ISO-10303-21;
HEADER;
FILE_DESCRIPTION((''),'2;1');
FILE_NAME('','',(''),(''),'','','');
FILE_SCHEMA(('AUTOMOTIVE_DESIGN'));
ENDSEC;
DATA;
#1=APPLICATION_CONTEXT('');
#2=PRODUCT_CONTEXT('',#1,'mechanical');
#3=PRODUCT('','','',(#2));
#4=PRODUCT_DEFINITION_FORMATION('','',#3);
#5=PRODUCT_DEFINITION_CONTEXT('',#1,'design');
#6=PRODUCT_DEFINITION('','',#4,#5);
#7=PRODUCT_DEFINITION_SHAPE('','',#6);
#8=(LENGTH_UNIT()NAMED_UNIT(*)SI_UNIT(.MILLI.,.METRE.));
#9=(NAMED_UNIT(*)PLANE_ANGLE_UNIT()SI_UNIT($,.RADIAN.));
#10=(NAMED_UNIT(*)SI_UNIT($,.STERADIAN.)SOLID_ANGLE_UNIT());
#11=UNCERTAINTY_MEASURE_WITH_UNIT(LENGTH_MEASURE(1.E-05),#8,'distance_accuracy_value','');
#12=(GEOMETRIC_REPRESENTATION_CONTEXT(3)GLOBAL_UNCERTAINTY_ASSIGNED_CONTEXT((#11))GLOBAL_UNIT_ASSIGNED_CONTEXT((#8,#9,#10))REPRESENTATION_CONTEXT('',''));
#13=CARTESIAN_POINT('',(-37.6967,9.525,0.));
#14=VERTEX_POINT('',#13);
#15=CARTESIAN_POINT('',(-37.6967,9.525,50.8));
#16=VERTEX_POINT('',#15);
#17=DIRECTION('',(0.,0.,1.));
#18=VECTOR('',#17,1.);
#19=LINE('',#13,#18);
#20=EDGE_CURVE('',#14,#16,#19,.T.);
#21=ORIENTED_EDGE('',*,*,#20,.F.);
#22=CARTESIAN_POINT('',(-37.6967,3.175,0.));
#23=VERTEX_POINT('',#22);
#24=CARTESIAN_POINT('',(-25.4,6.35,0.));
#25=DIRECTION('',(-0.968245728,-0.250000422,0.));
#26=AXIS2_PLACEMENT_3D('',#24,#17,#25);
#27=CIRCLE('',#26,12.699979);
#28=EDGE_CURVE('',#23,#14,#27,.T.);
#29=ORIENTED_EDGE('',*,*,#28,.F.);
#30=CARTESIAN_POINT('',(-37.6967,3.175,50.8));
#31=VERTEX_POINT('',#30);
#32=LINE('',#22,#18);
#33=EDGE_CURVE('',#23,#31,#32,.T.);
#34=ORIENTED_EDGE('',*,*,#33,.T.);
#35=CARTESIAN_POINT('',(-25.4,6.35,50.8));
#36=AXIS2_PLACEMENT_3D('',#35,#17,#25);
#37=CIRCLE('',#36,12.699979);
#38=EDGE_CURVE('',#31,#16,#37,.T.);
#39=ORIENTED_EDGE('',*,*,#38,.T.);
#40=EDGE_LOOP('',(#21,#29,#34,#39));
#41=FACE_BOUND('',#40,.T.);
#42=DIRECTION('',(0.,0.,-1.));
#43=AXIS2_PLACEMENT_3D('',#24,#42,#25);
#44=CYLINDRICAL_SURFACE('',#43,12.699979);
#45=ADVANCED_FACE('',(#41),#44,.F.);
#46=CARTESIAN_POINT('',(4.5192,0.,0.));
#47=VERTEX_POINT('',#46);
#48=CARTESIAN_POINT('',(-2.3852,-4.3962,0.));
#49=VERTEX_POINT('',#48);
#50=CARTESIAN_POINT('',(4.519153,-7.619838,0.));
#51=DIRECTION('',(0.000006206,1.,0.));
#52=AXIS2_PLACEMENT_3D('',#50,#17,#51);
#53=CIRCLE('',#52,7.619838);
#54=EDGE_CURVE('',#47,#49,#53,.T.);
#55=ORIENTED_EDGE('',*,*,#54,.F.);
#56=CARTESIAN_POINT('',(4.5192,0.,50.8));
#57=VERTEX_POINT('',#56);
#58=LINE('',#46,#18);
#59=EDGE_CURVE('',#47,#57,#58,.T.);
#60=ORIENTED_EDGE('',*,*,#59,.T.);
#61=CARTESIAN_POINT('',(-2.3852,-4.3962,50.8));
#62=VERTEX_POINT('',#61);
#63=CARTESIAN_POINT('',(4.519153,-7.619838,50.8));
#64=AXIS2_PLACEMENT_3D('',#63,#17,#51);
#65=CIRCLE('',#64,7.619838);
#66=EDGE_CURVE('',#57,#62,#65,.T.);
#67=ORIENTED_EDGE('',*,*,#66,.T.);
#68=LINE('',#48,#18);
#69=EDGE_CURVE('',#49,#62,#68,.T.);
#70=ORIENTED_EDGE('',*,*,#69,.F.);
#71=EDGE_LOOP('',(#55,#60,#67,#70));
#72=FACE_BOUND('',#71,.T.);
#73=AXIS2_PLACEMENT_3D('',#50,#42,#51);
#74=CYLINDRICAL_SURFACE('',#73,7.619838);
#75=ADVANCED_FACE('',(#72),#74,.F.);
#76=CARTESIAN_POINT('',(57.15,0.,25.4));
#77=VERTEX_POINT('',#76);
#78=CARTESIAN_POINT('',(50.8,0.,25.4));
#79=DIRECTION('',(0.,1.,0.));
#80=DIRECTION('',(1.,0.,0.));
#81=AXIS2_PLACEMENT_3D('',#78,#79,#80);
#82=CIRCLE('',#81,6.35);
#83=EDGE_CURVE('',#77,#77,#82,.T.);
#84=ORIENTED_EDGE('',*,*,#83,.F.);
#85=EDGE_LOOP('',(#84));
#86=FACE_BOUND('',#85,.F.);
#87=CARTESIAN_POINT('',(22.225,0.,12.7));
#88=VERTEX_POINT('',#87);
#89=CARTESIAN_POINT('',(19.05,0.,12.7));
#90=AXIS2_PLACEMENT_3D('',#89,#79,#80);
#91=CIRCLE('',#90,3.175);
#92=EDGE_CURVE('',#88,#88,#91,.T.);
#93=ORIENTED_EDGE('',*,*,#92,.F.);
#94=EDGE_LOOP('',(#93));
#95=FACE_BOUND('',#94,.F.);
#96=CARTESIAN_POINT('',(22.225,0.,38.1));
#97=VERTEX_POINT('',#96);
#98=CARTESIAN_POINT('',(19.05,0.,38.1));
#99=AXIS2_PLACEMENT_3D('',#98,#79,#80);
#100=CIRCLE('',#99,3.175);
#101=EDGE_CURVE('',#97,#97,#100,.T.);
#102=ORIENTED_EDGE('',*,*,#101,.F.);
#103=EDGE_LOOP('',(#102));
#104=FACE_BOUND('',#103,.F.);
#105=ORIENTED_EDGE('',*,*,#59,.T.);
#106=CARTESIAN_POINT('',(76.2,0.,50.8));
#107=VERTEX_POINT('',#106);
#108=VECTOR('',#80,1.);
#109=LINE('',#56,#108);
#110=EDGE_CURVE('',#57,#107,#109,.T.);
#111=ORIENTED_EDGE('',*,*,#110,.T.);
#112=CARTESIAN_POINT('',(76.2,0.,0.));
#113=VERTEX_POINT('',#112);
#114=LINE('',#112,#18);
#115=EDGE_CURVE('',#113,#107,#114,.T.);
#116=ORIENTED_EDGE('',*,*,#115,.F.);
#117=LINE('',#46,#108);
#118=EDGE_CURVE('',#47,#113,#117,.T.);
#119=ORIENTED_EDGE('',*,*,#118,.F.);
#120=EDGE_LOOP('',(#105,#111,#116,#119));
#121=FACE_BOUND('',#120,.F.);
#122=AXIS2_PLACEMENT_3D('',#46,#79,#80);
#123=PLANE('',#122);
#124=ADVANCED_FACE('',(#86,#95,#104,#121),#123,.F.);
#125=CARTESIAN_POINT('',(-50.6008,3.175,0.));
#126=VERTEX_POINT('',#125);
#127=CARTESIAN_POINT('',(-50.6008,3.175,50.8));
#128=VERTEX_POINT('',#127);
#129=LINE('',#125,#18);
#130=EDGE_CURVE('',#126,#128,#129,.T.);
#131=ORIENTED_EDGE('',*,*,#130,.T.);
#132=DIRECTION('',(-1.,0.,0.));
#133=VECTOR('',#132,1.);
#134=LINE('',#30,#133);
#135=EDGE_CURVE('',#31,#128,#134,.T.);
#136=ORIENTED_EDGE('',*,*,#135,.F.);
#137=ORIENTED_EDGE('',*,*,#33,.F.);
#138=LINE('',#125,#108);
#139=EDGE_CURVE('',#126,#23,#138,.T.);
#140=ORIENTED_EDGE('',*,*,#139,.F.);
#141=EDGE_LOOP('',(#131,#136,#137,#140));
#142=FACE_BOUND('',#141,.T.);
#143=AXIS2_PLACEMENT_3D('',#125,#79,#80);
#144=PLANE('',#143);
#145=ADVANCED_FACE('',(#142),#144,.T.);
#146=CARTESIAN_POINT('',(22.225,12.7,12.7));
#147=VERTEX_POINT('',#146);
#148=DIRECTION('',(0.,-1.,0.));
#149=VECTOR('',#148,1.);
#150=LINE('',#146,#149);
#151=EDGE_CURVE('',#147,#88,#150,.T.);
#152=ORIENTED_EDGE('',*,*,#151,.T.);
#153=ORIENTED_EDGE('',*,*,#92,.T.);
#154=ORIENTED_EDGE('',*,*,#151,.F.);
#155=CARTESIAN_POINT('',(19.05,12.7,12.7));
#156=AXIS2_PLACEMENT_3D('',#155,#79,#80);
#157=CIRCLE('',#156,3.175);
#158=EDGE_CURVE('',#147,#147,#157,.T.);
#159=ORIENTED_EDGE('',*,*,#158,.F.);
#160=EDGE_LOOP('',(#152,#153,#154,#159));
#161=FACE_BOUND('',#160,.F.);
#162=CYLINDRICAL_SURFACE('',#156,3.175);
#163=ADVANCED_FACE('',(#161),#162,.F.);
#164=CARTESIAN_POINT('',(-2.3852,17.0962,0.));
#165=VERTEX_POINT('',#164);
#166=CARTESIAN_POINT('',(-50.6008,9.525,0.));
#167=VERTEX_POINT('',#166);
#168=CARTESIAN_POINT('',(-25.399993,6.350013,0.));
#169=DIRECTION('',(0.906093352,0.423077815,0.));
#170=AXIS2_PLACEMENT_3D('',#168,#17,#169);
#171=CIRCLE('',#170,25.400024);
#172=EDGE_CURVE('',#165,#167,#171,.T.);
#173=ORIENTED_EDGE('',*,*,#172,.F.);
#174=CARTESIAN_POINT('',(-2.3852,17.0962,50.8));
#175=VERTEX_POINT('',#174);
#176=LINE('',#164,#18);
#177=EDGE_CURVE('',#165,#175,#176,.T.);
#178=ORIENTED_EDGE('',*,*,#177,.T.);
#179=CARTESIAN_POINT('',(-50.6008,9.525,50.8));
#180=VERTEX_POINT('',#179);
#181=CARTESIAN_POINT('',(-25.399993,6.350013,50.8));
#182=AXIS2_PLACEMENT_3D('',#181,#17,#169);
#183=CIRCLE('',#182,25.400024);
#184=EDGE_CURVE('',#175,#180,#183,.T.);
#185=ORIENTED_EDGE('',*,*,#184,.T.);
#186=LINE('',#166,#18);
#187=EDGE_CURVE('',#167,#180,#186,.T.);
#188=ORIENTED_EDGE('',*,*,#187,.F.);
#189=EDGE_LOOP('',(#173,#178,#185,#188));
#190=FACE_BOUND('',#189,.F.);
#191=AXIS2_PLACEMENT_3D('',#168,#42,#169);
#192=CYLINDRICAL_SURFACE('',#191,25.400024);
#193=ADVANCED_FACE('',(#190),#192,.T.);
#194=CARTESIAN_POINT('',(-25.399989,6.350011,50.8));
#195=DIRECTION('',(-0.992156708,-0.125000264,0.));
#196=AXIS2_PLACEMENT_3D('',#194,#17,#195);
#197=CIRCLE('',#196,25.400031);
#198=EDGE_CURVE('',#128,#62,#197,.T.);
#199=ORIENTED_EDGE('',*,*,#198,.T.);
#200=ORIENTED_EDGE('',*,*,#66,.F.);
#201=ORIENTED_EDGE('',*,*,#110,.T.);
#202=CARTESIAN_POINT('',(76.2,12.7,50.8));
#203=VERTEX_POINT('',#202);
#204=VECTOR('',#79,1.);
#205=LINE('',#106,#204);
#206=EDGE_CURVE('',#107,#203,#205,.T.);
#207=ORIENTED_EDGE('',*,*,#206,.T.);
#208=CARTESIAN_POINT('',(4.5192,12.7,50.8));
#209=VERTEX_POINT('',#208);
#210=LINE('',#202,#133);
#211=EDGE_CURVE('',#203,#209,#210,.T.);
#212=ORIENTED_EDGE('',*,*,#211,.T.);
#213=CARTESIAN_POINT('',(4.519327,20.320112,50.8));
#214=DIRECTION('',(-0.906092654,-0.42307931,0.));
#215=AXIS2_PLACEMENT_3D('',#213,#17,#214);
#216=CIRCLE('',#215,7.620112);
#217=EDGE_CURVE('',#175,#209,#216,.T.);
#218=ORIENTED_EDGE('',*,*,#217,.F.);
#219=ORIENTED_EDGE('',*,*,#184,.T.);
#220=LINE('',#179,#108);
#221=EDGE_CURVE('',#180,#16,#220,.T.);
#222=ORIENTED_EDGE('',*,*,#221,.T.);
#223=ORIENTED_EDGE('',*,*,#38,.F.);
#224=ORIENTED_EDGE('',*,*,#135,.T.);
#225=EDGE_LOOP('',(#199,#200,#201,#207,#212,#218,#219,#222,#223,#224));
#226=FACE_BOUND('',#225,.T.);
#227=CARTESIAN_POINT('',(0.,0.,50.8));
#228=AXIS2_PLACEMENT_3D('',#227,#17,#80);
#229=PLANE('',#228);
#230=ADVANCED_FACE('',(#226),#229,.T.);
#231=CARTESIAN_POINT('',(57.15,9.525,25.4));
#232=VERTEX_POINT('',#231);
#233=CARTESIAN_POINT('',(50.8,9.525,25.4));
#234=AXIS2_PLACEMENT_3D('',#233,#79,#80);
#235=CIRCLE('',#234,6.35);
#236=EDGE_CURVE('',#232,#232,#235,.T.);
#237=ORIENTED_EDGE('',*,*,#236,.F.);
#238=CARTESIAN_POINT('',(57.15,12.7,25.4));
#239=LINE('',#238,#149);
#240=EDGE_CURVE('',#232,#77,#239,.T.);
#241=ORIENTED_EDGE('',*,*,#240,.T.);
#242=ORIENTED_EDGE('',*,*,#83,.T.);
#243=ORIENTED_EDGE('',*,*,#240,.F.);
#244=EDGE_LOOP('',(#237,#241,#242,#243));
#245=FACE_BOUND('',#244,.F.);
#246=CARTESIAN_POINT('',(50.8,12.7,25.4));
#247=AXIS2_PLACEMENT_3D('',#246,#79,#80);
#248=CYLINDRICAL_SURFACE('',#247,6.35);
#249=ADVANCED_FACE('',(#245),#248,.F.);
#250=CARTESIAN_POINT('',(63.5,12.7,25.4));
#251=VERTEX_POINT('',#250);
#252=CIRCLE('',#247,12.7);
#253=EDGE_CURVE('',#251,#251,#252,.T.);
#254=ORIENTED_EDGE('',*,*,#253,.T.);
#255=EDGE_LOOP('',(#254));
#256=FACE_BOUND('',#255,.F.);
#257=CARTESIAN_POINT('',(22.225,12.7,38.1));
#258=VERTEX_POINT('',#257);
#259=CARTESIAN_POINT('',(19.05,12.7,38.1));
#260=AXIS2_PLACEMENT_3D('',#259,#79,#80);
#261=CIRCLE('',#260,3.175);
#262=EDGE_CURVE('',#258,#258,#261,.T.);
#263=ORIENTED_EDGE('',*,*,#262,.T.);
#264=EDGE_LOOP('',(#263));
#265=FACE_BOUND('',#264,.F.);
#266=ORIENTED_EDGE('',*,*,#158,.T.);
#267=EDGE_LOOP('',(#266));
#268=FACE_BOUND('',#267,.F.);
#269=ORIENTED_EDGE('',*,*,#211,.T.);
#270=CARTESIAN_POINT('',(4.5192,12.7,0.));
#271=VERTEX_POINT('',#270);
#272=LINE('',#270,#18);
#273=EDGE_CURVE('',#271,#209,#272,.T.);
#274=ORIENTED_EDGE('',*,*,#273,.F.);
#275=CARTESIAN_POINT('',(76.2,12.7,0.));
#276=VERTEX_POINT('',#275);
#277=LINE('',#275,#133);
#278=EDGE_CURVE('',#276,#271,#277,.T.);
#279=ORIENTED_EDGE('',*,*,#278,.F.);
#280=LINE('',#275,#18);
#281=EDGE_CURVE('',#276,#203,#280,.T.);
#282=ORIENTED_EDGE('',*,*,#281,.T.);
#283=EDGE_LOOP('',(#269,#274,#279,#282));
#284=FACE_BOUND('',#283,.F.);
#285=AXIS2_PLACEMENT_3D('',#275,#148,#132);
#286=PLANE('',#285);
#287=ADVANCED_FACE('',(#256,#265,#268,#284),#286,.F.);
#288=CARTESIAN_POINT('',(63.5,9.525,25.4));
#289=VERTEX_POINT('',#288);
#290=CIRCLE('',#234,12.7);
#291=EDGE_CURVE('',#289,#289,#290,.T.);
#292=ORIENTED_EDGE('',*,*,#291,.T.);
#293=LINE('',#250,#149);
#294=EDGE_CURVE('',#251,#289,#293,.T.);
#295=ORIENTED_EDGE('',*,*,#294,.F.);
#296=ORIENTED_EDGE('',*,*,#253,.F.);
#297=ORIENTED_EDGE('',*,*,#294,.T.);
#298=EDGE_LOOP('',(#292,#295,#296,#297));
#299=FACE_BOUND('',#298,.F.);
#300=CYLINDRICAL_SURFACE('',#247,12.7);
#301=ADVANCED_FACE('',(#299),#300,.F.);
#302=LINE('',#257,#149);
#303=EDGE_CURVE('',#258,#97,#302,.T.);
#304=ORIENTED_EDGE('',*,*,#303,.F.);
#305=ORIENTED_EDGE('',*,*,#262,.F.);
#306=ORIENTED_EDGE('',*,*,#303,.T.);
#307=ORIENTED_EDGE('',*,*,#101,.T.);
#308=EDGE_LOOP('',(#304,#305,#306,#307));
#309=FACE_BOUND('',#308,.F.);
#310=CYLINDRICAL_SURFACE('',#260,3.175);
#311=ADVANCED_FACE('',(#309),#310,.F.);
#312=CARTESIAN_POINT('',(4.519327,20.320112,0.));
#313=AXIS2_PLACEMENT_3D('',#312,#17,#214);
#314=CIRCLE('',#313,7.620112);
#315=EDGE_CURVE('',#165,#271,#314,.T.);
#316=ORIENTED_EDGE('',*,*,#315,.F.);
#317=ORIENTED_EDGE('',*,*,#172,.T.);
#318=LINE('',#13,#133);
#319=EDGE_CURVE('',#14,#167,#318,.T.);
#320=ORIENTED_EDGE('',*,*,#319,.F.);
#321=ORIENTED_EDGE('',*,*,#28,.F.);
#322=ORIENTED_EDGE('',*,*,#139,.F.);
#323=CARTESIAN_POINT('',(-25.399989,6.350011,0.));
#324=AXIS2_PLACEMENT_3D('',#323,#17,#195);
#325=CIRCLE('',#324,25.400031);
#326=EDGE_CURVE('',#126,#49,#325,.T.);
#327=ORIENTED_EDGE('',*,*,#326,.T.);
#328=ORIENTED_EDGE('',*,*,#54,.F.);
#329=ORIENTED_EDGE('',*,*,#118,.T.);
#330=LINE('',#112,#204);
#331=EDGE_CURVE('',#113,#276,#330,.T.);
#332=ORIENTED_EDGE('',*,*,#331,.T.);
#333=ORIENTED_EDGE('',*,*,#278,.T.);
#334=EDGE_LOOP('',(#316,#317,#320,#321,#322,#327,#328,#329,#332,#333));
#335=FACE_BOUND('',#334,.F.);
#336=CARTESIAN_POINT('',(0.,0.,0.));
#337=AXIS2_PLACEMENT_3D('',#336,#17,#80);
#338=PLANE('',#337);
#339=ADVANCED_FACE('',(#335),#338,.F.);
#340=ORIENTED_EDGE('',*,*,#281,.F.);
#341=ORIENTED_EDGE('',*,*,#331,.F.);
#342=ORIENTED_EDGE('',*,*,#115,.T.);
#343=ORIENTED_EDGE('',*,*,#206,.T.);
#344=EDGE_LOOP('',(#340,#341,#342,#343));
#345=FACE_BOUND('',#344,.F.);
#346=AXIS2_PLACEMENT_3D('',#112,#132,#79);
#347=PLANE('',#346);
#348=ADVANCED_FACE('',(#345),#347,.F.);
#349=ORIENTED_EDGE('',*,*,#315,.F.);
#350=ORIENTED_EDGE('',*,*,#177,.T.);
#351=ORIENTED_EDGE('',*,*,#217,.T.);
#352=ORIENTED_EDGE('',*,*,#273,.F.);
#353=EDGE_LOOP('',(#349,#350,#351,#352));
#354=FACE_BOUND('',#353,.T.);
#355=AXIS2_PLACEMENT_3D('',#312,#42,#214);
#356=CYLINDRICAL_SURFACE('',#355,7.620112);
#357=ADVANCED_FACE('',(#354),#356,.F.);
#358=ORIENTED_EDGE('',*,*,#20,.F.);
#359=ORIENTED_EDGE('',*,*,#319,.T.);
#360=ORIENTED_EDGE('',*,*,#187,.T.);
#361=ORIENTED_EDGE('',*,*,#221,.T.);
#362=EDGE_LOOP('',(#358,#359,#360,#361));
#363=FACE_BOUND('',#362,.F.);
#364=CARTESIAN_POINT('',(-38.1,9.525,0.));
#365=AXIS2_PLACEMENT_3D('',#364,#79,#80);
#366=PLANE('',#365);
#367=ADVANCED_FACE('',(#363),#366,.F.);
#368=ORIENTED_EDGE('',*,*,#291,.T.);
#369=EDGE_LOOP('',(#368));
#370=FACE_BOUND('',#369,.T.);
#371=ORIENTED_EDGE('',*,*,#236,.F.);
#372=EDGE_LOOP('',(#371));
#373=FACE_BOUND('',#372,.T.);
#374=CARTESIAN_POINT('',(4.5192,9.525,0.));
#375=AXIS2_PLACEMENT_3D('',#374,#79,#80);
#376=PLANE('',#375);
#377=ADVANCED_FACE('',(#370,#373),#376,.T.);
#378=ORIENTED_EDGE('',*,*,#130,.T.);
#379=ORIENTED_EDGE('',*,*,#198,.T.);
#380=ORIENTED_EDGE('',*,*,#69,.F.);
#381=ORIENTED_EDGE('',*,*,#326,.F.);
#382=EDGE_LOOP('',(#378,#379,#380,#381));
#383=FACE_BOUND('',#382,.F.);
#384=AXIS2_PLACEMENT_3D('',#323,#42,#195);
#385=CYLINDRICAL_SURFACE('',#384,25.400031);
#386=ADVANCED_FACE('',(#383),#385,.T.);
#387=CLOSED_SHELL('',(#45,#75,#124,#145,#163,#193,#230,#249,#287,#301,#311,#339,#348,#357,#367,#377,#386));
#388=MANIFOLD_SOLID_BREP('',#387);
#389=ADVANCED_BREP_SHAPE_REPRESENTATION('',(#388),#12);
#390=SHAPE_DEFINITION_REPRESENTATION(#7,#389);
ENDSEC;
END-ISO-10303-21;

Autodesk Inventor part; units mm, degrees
ref_plane "YZ Plane" through (0, 0, 0) normal (1, 0, 0) x (0, 1, 0)
ref_plane "XZ Plane" through (0, 0, 0) normal (0, 1, 0) x (-1, 0, 0)
ref_plane "XY Plane" through (0, 0, 0) normal (0, 0, 1) x (1, 0, 0)
sketch "Sketch1" plane through (0, 0, 0) normal (0, 0, 1) x (1, 0, 0)
  line L0 (4.5192, 0) -> (76.2, 0)
  line L1 (76.2, 0) -> (76.2, 12.7)
  line L2 (76.2, 12.7) -> (4.5192, 12.7)
  arc A0 (-37.6967, 3.175) -> (-37.6967, 9.525) centre (-25.4, 6.35) ccw
  arc A1 (-2.3852, 17.0962) -> (4.5192, 12.7) centre (4.5192, 20.32) ccw
  arc A2 (4.5192, 0) -> (-2.3852, -4.3962) centre (4.5192, -7.62) ccw
  line L3 (-50.6008, 9.525) -> (-38.1, 9.525)
  line L4 (-50.6008, 3.175) -> (-38.1, 3.175)
  line L5 (-38.1, 9.525) -> (-37.6967, 9.525)
  line L6 (-37.6967, 3.175) -> (-38.1, 3.175)
  arc A3 (-2.3852, 17.0962) -> (-50.6008, 9.525) centre (-25.4, 6.35) ccw
  arc A4 (-50.6008, 3.175) -> (-2.3852, -4.3962) centre (-25.4, 6.35) ccw
  point P0 (0, 0)
  dimension "d0" = 12.7
  dimension "d3" = 25.4
  dimension "d4" = 101.6
  dimension "d5" = 7.62
  dimension "d10" = 25.4
extrude "Extrusion1" add sketch "Sketch1" along normal blind 50.8
sketch "Sketch2" plane through (4.5192, 12.7, 0) normal (0, 1, 0) x (1, 0, 0)
  circle A0 centre (46.2808, -25.4) radius 6.35
  circle A1 centre (14.5308, -12.7) radius 3.175
  circle A2 centre (14.5308, -38.1) radius 3.175
  line L0 (71.6808, 0) -> (71.6808, -50.8) projected
  line L1 (0, 0) -> (71.6808, 0) projected
  line L2 (71.6808, -50.8) -> (0, -50.8) projected
  point P0 (-4.5192, 0)
  dimension "d13" = 12.7
  dimension "d14" = 6.35
  dimension "d15" = 6.35
  dimension "d16" = 25.4
  dimension "d17" = 25.4
  dimension "d18" = 57.15
  dimension "d19" = 12.7
  dimension "d20" = 25.4
  dimension "d21" = 0
extrude "Extrusion2" cut sketch "Sketch2" against normal through all
sketch "Sketch3" plane through (4.5192, 12.7, 0) normal (0, 1, 0) x (1, 0, 0)
  circle A0 centre (46.2808, -25.4) radius 6.35 projected
  circle A1 centre (46.2808, -25.4) radius 12.7
  point P0 (-4.5192, 0)
  dimension "d24" = 25.4
extrude "Extrusion3" cut sketch "Sketch3" against normal blind 3.175
equation "\"d3\" = 2 * d0"
equation "\"d4\" = 8 * d0"
equation "\"d14\" = 0.5 * d13"
equation "\"d15\" = d14"
equation "\"d16\" = d17"
equation "\"d18\" = 2.25 * d16"
equation "\"d19\" = 0.5 * d17"
properties part number "HW 5 Part 4"
